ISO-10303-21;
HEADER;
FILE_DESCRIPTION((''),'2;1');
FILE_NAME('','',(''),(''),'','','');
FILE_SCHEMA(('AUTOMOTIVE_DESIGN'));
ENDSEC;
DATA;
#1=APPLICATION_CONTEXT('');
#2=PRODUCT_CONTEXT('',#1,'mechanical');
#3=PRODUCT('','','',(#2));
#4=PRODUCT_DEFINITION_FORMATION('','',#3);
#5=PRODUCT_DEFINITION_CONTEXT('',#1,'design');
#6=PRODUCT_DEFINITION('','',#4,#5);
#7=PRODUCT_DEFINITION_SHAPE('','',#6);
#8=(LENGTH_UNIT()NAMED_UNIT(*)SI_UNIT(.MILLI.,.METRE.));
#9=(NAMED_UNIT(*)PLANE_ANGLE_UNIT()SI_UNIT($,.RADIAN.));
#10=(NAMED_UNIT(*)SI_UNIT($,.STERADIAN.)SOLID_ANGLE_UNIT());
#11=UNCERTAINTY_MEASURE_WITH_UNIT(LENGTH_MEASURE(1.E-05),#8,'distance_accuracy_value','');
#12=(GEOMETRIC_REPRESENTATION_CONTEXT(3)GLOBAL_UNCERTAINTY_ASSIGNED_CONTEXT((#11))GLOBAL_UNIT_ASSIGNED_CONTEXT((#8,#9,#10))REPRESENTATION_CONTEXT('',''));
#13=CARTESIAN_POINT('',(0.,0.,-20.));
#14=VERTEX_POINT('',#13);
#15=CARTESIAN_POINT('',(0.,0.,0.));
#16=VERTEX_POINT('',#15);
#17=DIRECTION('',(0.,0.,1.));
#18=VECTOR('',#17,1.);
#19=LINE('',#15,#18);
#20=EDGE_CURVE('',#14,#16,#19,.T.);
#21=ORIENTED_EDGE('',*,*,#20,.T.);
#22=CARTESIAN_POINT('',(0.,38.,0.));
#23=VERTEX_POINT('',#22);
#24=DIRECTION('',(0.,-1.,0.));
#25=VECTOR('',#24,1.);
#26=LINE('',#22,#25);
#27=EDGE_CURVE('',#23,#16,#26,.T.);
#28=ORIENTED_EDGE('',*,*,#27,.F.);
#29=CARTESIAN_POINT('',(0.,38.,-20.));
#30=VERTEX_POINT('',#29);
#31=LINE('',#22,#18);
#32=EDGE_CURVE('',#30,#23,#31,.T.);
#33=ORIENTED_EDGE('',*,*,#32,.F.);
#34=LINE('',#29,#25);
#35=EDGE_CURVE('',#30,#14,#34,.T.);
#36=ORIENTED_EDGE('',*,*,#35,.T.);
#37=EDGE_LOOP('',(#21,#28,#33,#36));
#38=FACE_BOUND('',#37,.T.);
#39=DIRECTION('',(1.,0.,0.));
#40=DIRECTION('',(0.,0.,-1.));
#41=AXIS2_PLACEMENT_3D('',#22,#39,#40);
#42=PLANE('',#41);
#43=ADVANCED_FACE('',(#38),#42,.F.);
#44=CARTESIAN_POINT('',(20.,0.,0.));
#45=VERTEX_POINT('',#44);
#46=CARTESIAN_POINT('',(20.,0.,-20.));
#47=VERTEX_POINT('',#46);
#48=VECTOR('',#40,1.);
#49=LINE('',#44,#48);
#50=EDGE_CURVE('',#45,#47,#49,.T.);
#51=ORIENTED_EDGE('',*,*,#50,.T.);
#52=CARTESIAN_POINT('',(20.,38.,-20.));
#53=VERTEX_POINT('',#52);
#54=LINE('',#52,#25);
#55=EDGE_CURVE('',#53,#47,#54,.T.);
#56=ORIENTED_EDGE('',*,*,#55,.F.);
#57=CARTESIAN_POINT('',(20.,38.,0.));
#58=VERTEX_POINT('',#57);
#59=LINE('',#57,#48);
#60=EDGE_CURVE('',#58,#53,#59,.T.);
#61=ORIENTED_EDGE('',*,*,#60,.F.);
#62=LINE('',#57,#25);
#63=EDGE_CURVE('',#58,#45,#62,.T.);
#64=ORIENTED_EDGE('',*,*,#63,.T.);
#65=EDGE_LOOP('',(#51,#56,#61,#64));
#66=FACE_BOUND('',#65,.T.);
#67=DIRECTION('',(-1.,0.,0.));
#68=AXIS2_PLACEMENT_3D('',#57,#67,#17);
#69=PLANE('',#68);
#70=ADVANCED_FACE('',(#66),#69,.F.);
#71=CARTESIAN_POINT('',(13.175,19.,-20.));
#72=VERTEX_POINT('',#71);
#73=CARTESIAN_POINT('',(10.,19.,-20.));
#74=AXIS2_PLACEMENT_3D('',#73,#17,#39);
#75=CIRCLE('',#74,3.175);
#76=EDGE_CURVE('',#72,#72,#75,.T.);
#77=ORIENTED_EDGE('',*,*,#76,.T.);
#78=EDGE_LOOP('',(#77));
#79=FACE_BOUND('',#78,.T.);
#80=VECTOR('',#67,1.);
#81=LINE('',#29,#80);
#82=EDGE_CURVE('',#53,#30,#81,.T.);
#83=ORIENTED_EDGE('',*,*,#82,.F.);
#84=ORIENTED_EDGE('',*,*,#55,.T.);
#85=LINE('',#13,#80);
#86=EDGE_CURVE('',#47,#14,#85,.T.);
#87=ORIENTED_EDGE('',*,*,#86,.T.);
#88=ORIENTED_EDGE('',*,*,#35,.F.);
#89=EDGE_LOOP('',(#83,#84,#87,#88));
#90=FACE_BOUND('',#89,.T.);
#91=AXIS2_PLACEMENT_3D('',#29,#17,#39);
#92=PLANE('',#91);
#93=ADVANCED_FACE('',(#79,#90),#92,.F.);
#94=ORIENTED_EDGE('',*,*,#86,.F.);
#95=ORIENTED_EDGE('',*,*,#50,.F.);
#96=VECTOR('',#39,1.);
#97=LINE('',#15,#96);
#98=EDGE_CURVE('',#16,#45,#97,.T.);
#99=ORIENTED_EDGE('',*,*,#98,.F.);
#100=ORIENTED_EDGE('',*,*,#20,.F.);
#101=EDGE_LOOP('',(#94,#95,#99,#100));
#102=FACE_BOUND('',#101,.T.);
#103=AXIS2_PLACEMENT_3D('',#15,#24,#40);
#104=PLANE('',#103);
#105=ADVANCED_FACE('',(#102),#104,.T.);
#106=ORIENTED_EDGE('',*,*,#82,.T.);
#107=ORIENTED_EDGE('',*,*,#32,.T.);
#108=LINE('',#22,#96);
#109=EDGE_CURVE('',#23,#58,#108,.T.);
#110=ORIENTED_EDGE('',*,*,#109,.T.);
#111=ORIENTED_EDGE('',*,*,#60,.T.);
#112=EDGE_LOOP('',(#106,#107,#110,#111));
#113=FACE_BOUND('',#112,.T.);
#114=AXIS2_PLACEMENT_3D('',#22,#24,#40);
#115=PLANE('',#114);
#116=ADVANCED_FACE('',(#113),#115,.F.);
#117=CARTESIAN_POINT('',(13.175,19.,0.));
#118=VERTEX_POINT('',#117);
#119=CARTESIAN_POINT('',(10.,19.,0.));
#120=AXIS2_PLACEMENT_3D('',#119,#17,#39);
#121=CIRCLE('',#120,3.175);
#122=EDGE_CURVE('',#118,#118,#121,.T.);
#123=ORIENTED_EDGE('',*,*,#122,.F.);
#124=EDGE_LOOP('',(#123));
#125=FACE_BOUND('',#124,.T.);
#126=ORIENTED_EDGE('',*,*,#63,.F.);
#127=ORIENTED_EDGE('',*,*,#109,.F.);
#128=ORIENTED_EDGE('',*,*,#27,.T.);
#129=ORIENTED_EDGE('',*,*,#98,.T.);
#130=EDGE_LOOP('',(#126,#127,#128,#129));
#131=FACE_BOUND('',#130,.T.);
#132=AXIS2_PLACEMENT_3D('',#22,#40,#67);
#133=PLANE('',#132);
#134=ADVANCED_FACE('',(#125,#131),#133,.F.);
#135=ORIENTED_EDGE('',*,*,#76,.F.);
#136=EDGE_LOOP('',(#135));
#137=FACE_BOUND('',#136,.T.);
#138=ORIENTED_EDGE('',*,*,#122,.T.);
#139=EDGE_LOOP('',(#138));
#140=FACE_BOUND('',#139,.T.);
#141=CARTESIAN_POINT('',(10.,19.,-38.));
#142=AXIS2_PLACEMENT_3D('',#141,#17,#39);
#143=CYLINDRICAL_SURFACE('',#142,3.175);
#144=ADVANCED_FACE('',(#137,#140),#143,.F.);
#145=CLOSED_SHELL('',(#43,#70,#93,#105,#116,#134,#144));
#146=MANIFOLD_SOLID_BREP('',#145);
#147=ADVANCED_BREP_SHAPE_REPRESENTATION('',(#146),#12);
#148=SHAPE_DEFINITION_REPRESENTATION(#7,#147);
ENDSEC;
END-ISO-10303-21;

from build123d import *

# Parameters (mm, degrees)
SKETCH1_W           = 20
SKETCH1_H           = 20
BOSS_EXTRUDE1_DEPTH = 38
SKETCH2_R           = 3.175
CUT_EXTRUDE1_DEPTH  = 38


with BuildPart() as part:
    # Sketch1 → Boss-Extrude1 (new body)
    with BuildSketch(Plane(origin=(0, 0, 0), x_dir=(1, 0, 0), z_dir=(0, 1, 0))):
        with Locations((10, 10)):
            Rectangle(SKETCH1_W, SKETCH1_H)
    extrude(amount=BOSS_EXTRUDE1_DEPTH)

    # Sketch2 → Cut-Extrude1 (cut)
    with BuildSketch(Plane.XY):
        with Locations((10, 19)):
            Circle(SKETCH2_R)
    extrude(amount=-CUT_EXTRUDE1_DEPTH, mode=Mode.SUBTRACT)


solid = part.part
